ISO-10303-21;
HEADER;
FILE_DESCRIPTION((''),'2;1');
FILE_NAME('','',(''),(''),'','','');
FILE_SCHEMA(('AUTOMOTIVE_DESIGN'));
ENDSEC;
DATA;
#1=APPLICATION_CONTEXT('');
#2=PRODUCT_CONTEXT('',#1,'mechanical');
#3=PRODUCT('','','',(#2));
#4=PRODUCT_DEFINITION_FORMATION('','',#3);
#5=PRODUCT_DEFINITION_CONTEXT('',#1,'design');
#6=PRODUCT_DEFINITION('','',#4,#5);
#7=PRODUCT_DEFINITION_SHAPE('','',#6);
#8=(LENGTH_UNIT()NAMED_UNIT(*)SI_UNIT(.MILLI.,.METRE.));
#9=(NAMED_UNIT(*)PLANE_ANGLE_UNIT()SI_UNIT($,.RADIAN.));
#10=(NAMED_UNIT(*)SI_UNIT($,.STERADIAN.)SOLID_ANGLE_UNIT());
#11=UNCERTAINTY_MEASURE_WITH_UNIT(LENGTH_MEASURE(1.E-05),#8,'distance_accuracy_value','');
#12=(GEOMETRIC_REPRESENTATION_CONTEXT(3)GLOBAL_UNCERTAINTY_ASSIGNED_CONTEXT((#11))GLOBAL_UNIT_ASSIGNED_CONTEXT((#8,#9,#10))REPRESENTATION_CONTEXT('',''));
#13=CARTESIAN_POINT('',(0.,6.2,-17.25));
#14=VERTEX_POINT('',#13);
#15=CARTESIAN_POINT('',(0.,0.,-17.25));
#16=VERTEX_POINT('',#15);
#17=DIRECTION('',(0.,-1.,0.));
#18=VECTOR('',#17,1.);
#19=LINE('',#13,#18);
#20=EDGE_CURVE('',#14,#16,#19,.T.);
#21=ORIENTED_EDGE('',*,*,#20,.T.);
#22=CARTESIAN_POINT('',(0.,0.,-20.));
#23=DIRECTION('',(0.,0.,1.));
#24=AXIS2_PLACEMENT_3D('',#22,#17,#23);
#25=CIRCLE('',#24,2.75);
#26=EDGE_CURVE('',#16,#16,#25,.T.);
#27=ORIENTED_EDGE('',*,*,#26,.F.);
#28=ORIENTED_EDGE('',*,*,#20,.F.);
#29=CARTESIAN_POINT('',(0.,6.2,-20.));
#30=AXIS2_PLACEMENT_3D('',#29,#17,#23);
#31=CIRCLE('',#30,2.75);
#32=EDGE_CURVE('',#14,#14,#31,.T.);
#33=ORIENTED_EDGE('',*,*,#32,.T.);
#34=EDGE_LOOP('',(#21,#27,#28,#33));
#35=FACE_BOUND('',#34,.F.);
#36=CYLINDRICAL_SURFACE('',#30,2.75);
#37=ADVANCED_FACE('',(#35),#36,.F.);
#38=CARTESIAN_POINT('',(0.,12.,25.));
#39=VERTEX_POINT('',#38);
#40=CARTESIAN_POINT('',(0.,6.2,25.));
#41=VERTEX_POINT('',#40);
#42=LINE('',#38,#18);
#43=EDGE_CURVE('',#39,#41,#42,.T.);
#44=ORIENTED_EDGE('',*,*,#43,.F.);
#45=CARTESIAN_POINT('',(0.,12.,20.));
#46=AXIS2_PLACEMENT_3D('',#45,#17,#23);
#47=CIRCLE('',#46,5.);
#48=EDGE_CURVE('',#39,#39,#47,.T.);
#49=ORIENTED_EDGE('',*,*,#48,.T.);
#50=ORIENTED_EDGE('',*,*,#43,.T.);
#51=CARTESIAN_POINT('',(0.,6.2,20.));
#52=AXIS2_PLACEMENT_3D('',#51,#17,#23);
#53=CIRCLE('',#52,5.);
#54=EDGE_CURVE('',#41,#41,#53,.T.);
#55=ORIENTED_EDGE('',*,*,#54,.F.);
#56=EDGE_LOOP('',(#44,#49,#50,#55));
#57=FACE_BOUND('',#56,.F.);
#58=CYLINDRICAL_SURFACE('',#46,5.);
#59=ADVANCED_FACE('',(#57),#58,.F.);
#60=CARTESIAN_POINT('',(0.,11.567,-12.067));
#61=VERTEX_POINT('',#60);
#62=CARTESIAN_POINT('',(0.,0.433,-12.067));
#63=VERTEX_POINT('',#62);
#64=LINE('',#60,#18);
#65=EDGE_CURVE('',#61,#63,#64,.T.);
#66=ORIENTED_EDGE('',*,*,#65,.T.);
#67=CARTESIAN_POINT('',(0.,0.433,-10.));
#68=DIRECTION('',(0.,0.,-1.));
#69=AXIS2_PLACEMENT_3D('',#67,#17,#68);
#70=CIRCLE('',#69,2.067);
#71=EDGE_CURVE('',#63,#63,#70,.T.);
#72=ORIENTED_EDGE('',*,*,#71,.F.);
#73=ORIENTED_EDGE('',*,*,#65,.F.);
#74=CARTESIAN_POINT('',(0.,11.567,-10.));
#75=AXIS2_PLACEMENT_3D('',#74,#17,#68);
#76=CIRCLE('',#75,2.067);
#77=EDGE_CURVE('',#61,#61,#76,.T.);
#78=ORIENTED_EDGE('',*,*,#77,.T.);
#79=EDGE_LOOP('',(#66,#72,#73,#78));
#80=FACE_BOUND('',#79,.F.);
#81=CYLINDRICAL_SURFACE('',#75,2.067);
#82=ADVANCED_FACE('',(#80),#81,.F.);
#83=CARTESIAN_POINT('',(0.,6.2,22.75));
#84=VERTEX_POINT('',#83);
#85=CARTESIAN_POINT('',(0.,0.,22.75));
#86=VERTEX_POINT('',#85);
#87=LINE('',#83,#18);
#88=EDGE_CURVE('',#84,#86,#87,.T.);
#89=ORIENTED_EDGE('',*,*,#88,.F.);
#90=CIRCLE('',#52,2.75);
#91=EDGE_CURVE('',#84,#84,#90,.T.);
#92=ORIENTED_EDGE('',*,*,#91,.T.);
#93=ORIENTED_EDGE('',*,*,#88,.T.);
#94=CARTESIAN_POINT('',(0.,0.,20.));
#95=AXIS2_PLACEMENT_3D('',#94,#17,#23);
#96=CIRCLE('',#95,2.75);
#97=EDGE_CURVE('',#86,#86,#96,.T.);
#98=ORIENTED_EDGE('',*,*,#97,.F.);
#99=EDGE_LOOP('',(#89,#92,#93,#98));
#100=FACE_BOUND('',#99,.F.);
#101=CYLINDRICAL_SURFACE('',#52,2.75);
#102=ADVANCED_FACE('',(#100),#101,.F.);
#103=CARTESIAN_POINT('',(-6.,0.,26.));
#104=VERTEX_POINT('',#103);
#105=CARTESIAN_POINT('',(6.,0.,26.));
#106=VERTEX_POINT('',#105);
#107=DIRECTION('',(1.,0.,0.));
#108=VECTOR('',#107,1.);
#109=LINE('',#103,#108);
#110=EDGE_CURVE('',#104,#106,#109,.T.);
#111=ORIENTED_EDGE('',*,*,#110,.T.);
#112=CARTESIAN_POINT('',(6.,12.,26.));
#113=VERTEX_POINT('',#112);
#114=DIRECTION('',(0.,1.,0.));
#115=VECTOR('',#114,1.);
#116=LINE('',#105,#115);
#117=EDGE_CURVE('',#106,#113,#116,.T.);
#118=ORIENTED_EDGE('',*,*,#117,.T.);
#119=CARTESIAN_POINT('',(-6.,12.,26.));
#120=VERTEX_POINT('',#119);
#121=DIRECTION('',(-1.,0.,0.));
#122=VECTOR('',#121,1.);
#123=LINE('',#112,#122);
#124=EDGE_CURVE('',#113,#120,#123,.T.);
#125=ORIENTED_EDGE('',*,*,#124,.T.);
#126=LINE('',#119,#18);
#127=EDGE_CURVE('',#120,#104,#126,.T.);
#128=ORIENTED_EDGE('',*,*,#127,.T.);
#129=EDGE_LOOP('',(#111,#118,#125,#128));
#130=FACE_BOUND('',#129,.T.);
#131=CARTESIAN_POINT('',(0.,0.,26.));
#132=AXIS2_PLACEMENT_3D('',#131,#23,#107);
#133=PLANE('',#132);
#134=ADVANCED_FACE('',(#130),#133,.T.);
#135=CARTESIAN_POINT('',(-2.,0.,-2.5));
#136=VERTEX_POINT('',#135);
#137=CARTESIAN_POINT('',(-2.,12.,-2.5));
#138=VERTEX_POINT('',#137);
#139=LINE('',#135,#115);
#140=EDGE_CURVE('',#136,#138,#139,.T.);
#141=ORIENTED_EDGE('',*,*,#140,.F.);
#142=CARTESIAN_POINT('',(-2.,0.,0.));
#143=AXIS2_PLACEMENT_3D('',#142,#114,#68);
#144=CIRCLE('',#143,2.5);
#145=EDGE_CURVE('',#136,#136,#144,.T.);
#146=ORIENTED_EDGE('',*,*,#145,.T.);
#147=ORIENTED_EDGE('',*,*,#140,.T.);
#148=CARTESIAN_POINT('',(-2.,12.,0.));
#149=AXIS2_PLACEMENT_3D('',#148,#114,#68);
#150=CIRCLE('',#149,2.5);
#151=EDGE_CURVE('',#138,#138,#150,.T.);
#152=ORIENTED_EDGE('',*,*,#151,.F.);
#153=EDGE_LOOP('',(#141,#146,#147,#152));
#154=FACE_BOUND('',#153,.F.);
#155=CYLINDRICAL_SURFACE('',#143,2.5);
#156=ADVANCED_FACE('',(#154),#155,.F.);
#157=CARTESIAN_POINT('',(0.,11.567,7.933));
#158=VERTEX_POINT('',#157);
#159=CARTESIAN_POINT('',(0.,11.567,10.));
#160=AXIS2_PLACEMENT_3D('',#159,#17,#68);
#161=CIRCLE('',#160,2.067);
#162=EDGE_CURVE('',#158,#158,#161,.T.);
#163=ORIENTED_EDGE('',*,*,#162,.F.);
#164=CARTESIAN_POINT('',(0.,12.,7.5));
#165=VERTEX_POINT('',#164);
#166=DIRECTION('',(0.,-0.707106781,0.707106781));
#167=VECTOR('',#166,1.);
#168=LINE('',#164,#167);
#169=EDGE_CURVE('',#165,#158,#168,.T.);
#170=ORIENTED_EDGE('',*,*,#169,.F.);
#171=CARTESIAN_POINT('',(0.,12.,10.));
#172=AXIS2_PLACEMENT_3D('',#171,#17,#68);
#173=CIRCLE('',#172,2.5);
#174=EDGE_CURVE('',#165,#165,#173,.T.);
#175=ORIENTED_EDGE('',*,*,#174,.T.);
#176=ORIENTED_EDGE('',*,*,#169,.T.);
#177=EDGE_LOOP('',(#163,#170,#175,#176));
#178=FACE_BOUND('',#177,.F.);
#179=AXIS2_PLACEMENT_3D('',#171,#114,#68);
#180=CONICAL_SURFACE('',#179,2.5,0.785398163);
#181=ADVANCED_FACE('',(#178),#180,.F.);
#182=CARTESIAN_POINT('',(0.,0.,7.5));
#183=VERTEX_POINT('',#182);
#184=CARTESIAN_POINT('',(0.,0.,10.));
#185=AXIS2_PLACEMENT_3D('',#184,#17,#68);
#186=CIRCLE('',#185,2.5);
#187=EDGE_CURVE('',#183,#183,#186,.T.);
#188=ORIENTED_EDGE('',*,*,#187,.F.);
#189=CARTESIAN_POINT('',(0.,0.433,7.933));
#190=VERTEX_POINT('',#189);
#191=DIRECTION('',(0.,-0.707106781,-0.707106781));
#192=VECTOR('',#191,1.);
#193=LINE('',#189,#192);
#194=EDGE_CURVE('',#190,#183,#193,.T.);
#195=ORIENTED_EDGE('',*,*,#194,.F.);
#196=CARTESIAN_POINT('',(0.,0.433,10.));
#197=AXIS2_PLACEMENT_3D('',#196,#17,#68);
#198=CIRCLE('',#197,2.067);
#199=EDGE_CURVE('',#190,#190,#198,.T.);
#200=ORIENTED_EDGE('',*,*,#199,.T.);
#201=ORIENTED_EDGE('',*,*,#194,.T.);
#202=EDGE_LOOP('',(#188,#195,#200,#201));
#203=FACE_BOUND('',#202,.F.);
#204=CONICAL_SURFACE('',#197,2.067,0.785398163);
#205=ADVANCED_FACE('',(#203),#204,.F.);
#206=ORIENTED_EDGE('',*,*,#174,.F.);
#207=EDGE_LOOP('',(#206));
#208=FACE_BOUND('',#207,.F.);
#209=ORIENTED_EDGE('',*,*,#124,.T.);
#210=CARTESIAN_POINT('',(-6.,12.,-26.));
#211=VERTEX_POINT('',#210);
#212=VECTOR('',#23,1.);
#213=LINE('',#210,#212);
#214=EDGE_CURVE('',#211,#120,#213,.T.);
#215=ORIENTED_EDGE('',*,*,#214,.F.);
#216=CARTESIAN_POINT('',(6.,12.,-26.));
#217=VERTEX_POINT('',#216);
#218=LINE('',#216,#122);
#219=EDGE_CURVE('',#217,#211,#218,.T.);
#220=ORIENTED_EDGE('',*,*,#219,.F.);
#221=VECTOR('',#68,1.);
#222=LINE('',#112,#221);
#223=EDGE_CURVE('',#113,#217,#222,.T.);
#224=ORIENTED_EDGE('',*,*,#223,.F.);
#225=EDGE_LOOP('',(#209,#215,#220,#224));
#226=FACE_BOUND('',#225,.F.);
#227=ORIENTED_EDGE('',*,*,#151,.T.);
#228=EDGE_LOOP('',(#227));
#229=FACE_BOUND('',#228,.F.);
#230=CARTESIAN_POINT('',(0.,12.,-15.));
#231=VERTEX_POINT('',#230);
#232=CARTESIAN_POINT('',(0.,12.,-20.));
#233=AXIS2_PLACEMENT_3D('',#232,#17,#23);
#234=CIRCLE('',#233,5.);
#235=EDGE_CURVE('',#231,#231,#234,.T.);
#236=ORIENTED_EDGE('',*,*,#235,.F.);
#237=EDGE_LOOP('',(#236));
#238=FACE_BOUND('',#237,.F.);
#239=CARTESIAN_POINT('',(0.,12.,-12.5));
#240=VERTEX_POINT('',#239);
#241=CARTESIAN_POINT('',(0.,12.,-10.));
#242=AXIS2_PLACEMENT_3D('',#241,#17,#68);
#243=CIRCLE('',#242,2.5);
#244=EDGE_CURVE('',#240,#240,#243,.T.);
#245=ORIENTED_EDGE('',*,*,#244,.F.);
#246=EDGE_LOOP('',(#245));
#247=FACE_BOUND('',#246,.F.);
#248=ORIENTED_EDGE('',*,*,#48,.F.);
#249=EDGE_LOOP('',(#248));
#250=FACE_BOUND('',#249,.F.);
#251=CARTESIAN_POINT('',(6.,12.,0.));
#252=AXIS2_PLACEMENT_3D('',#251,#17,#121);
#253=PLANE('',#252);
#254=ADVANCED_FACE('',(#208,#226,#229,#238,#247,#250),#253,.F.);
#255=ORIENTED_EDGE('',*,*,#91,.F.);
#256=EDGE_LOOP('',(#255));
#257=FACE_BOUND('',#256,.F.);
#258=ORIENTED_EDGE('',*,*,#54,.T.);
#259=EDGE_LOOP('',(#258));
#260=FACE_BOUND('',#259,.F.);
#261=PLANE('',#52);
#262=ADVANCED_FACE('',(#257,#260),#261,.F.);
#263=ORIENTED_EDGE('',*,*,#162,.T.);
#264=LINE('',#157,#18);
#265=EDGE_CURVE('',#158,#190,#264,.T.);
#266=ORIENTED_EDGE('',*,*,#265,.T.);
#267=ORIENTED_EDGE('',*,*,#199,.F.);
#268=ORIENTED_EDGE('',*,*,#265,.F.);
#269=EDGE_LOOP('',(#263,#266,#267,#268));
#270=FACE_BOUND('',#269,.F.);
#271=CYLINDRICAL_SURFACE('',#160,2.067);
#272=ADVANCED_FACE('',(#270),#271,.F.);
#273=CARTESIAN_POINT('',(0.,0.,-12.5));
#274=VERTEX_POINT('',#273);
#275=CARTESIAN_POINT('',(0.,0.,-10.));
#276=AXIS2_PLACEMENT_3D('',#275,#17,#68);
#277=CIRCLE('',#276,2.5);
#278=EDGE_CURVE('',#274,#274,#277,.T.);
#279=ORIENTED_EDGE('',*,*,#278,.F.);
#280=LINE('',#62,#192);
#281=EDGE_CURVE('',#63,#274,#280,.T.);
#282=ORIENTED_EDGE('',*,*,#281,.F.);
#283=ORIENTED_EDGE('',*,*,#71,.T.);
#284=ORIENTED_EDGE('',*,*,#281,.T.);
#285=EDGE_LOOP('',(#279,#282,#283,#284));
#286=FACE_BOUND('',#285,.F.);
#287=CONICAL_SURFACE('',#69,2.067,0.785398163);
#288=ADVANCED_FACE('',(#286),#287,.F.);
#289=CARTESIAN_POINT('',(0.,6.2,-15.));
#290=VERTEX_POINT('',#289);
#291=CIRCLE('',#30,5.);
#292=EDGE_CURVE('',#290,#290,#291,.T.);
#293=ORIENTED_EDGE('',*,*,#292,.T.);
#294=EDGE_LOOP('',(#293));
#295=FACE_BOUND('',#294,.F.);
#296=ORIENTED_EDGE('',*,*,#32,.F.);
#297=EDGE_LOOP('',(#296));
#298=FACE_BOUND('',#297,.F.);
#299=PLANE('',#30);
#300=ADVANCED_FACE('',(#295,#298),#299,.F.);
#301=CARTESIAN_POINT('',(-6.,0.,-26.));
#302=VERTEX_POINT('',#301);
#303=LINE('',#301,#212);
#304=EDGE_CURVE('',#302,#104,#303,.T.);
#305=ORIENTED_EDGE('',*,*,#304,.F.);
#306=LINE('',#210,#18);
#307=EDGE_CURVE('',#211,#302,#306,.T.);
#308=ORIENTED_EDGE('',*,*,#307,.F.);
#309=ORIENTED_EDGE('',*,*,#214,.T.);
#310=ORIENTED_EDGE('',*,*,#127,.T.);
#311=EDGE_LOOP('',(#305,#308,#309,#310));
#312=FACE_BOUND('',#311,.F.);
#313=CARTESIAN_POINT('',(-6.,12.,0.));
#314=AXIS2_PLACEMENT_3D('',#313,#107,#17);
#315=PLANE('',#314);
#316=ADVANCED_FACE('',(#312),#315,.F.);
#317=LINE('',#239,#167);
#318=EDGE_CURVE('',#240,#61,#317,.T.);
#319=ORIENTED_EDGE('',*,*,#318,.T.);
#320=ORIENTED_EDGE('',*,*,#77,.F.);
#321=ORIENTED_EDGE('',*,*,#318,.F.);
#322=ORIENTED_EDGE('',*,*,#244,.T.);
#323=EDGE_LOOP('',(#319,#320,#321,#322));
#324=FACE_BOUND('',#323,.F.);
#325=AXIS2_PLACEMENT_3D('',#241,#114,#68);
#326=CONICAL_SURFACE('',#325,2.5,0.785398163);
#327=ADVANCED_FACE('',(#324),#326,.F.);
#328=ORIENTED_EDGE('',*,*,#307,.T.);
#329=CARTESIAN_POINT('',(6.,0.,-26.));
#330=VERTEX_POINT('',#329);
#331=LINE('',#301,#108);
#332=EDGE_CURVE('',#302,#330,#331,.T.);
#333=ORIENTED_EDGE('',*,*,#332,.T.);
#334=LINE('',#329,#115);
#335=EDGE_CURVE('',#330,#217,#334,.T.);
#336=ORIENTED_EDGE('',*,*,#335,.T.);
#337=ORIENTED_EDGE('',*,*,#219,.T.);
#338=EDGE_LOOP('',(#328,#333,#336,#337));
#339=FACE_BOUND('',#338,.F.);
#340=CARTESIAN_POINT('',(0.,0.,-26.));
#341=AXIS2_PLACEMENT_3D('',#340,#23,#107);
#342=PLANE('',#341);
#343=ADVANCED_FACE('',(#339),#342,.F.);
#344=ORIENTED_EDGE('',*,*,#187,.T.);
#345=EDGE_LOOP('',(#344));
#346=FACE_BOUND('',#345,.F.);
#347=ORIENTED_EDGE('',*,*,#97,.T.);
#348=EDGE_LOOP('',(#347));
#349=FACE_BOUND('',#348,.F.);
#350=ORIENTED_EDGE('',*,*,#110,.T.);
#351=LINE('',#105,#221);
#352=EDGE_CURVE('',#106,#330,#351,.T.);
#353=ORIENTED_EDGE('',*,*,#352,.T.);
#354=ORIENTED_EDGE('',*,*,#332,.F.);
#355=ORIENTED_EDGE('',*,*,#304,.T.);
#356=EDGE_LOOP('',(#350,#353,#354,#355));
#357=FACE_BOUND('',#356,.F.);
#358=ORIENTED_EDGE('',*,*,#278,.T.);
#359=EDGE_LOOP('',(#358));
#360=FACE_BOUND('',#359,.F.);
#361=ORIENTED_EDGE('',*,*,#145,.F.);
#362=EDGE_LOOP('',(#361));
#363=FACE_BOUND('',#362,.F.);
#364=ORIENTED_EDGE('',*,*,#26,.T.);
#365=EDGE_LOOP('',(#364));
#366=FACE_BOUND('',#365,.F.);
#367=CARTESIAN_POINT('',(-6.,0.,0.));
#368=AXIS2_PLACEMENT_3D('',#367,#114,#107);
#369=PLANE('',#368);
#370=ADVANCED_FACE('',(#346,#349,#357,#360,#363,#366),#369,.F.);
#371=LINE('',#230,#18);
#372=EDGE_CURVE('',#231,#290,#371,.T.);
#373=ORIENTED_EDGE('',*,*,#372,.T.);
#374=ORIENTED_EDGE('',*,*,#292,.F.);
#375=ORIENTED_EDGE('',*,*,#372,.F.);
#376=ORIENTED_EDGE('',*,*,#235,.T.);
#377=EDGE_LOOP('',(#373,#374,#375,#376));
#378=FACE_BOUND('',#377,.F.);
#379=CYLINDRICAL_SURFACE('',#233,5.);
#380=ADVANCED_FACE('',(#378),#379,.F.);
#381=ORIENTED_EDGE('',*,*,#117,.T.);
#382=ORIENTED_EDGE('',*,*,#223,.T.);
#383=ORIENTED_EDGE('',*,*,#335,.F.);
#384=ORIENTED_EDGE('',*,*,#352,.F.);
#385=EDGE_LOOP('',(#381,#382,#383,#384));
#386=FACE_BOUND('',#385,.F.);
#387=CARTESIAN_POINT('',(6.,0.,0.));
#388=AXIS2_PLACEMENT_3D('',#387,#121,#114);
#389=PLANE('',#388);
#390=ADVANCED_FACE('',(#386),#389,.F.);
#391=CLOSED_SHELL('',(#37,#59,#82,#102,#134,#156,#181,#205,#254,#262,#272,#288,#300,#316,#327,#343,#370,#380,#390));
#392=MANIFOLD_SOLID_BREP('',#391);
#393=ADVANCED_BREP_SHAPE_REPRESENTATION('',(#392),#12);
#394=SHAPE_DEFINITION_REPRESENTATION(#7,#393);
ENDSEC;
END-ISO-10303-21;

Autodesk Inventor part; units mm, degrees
sketch "Sketch_4" plane through (0, 0, 0) normal (0, 0, 1) x (1, 0, 0)
  line L0 (-6, 12) -> (-6, 0)
  line L1 (-6, 0) -> (6, 0)
  line L2 (6, 0) -> (6, 12)
  line L3 (6, 12) -> (-6, 12)
extrude "Extrusion1" add sketch "Sketch_4" along normal mid plane 52
sketch "Sketch2" plane through (-6, 12, 26) normal (0, 1, 0) x (1, 0, 0)
  point P0 (6, 46)
hole "Hole1" at (0, 12, -20) direction (0, -1, 0) diameter 5.5 depth 12 counterbore diameter 10 counterbore depth 5.8
sketch "Sketch3" plane through (-6, 12, 26) normal (0, 1, 0) x (1, 0, 0)
  point P0 (6, 6)
hole "Hole2" at (0, 12, 20) direction (0, -1, 0) diameter 5.5 depth 12 counterbore diameter 10 counterbore depth 5.8
sketch "Sketch_13" plane through (0, 0, 0) normal (1, 0, 0) x (0, 0, -1)
  line L0 (10, 0) -> (10, 12)
  line L1 (10, 12) -> (12.5, 12)
  line L2 (12.5, 12) -> (12.067, 11.567)
  line L3 (12.067, 11.567) -> (12.067, 0.433)
  line L4 (12.067, 0.433) -> (12.5, 0)
  line L5 (12.5, 0) -> (10, 0)
  line L6 (10, 0) -> (10, 12)
revolve "Revolution1" cut sketch "Sketch_13" angle 360 about axis through (0, 0, -10) along (0, -1, 0)
thread "Thread1" size "M5x0.8" class "6H" standard "ISO Metric profile" full length
sketch "Sketch_14" plane through (0, 0, 0) normal (1, 0, 0) x (0, 0, -1)
  line L0 (-10, 0) -> (-10, 12)
  line L1 (-10, 12) -> (-7.5, 12)
  line L2 (-7.5, 12) -> (-7.933, 11.567)
  line L3 (-7.933, 11.567) -> (-7.933, 0.433)
  line L4 (-7.933, 0.433) -> (-7.5, 0)
  line L5 (-7.5, 0) -> (-10, 0)
  line L6 (-10, 0) -> (-10, 12)
revolve "Revolution2" cut sketch "Sketch_14" angle 360 about axis through (0, 0, 10) along (0, -1, 0)
thread "Thread2" size "M5x0.8" class "6H" standard "ISO Metric profile" full length
sketch "Sketch6" plane through (-6, 0, 26) normal (0, -1, 0) x (1, 0, 0)
  point P0 (4, -26)
hole "Hole3" at (-2, 0, 0) direction (0, 1, 0) diameter 5 depth 12
ref_plane "HGO_ANBAU_XY" through (0, 0, 0) normal (0, 1, 0) x (1, 0, 0)
ref_plane "HGO_ANBAU_YZ" through (0, 0, 0) normal (1, 0, 0) x (0, 0, -1)
ref_plane "HGO_ANBAU_ZX" through (0, 0, 0) normal (0, 0, -1) x (0, 1, 0)
ref_plane "HGO_ANBAU_Schrauben_1_XY" through (0, 5.5, -20) normal (0, -1, 0) x (1, 0, 0)
ref_plane "HGO_ANBAU_Schrauben_1_YZ" through (0, 5.5, -20) normal (1, 0, 0) x (0, 0, 1)
ref_plane "HGO_ANBAU_Schrauben_1_ZX" through (0, 5.5, -20) normal (0, 0, 1) x (0, -1, 0)
ref_plane "HGO_ANBAU_Schrauben_2_XY" through (0, 5.5, 20) normal (0, -1, 0) x (1, 0, 0)
ref_plane "HGO_ANBAU_Schrauben_2_YZ" through (0, 5.5, 20) normal (1, 0, 0) x (0, 0, 1)
ref_plane "HGO_ANBAU_Schrauben_2_ZX" through (0, 5.5, 20) normal (0, 0, 1) x (0, -1, 0)
ref_plane "KLEMMHALTER_XY" through (0, 12, 0) normal (0, 1, 0) x (1, 0, 0)
ref_plane "KLEMMHALTER_YZ" through (0, 12, 0) normal (1, 0, 0) x (0, 0, -1)
ref_plane "KLEMMHALTER_ZX" through (0, 12, 0) normal (0, 0, -1) x (0, 1, 0)
properties part number "722627 MUE-70/80P2"
